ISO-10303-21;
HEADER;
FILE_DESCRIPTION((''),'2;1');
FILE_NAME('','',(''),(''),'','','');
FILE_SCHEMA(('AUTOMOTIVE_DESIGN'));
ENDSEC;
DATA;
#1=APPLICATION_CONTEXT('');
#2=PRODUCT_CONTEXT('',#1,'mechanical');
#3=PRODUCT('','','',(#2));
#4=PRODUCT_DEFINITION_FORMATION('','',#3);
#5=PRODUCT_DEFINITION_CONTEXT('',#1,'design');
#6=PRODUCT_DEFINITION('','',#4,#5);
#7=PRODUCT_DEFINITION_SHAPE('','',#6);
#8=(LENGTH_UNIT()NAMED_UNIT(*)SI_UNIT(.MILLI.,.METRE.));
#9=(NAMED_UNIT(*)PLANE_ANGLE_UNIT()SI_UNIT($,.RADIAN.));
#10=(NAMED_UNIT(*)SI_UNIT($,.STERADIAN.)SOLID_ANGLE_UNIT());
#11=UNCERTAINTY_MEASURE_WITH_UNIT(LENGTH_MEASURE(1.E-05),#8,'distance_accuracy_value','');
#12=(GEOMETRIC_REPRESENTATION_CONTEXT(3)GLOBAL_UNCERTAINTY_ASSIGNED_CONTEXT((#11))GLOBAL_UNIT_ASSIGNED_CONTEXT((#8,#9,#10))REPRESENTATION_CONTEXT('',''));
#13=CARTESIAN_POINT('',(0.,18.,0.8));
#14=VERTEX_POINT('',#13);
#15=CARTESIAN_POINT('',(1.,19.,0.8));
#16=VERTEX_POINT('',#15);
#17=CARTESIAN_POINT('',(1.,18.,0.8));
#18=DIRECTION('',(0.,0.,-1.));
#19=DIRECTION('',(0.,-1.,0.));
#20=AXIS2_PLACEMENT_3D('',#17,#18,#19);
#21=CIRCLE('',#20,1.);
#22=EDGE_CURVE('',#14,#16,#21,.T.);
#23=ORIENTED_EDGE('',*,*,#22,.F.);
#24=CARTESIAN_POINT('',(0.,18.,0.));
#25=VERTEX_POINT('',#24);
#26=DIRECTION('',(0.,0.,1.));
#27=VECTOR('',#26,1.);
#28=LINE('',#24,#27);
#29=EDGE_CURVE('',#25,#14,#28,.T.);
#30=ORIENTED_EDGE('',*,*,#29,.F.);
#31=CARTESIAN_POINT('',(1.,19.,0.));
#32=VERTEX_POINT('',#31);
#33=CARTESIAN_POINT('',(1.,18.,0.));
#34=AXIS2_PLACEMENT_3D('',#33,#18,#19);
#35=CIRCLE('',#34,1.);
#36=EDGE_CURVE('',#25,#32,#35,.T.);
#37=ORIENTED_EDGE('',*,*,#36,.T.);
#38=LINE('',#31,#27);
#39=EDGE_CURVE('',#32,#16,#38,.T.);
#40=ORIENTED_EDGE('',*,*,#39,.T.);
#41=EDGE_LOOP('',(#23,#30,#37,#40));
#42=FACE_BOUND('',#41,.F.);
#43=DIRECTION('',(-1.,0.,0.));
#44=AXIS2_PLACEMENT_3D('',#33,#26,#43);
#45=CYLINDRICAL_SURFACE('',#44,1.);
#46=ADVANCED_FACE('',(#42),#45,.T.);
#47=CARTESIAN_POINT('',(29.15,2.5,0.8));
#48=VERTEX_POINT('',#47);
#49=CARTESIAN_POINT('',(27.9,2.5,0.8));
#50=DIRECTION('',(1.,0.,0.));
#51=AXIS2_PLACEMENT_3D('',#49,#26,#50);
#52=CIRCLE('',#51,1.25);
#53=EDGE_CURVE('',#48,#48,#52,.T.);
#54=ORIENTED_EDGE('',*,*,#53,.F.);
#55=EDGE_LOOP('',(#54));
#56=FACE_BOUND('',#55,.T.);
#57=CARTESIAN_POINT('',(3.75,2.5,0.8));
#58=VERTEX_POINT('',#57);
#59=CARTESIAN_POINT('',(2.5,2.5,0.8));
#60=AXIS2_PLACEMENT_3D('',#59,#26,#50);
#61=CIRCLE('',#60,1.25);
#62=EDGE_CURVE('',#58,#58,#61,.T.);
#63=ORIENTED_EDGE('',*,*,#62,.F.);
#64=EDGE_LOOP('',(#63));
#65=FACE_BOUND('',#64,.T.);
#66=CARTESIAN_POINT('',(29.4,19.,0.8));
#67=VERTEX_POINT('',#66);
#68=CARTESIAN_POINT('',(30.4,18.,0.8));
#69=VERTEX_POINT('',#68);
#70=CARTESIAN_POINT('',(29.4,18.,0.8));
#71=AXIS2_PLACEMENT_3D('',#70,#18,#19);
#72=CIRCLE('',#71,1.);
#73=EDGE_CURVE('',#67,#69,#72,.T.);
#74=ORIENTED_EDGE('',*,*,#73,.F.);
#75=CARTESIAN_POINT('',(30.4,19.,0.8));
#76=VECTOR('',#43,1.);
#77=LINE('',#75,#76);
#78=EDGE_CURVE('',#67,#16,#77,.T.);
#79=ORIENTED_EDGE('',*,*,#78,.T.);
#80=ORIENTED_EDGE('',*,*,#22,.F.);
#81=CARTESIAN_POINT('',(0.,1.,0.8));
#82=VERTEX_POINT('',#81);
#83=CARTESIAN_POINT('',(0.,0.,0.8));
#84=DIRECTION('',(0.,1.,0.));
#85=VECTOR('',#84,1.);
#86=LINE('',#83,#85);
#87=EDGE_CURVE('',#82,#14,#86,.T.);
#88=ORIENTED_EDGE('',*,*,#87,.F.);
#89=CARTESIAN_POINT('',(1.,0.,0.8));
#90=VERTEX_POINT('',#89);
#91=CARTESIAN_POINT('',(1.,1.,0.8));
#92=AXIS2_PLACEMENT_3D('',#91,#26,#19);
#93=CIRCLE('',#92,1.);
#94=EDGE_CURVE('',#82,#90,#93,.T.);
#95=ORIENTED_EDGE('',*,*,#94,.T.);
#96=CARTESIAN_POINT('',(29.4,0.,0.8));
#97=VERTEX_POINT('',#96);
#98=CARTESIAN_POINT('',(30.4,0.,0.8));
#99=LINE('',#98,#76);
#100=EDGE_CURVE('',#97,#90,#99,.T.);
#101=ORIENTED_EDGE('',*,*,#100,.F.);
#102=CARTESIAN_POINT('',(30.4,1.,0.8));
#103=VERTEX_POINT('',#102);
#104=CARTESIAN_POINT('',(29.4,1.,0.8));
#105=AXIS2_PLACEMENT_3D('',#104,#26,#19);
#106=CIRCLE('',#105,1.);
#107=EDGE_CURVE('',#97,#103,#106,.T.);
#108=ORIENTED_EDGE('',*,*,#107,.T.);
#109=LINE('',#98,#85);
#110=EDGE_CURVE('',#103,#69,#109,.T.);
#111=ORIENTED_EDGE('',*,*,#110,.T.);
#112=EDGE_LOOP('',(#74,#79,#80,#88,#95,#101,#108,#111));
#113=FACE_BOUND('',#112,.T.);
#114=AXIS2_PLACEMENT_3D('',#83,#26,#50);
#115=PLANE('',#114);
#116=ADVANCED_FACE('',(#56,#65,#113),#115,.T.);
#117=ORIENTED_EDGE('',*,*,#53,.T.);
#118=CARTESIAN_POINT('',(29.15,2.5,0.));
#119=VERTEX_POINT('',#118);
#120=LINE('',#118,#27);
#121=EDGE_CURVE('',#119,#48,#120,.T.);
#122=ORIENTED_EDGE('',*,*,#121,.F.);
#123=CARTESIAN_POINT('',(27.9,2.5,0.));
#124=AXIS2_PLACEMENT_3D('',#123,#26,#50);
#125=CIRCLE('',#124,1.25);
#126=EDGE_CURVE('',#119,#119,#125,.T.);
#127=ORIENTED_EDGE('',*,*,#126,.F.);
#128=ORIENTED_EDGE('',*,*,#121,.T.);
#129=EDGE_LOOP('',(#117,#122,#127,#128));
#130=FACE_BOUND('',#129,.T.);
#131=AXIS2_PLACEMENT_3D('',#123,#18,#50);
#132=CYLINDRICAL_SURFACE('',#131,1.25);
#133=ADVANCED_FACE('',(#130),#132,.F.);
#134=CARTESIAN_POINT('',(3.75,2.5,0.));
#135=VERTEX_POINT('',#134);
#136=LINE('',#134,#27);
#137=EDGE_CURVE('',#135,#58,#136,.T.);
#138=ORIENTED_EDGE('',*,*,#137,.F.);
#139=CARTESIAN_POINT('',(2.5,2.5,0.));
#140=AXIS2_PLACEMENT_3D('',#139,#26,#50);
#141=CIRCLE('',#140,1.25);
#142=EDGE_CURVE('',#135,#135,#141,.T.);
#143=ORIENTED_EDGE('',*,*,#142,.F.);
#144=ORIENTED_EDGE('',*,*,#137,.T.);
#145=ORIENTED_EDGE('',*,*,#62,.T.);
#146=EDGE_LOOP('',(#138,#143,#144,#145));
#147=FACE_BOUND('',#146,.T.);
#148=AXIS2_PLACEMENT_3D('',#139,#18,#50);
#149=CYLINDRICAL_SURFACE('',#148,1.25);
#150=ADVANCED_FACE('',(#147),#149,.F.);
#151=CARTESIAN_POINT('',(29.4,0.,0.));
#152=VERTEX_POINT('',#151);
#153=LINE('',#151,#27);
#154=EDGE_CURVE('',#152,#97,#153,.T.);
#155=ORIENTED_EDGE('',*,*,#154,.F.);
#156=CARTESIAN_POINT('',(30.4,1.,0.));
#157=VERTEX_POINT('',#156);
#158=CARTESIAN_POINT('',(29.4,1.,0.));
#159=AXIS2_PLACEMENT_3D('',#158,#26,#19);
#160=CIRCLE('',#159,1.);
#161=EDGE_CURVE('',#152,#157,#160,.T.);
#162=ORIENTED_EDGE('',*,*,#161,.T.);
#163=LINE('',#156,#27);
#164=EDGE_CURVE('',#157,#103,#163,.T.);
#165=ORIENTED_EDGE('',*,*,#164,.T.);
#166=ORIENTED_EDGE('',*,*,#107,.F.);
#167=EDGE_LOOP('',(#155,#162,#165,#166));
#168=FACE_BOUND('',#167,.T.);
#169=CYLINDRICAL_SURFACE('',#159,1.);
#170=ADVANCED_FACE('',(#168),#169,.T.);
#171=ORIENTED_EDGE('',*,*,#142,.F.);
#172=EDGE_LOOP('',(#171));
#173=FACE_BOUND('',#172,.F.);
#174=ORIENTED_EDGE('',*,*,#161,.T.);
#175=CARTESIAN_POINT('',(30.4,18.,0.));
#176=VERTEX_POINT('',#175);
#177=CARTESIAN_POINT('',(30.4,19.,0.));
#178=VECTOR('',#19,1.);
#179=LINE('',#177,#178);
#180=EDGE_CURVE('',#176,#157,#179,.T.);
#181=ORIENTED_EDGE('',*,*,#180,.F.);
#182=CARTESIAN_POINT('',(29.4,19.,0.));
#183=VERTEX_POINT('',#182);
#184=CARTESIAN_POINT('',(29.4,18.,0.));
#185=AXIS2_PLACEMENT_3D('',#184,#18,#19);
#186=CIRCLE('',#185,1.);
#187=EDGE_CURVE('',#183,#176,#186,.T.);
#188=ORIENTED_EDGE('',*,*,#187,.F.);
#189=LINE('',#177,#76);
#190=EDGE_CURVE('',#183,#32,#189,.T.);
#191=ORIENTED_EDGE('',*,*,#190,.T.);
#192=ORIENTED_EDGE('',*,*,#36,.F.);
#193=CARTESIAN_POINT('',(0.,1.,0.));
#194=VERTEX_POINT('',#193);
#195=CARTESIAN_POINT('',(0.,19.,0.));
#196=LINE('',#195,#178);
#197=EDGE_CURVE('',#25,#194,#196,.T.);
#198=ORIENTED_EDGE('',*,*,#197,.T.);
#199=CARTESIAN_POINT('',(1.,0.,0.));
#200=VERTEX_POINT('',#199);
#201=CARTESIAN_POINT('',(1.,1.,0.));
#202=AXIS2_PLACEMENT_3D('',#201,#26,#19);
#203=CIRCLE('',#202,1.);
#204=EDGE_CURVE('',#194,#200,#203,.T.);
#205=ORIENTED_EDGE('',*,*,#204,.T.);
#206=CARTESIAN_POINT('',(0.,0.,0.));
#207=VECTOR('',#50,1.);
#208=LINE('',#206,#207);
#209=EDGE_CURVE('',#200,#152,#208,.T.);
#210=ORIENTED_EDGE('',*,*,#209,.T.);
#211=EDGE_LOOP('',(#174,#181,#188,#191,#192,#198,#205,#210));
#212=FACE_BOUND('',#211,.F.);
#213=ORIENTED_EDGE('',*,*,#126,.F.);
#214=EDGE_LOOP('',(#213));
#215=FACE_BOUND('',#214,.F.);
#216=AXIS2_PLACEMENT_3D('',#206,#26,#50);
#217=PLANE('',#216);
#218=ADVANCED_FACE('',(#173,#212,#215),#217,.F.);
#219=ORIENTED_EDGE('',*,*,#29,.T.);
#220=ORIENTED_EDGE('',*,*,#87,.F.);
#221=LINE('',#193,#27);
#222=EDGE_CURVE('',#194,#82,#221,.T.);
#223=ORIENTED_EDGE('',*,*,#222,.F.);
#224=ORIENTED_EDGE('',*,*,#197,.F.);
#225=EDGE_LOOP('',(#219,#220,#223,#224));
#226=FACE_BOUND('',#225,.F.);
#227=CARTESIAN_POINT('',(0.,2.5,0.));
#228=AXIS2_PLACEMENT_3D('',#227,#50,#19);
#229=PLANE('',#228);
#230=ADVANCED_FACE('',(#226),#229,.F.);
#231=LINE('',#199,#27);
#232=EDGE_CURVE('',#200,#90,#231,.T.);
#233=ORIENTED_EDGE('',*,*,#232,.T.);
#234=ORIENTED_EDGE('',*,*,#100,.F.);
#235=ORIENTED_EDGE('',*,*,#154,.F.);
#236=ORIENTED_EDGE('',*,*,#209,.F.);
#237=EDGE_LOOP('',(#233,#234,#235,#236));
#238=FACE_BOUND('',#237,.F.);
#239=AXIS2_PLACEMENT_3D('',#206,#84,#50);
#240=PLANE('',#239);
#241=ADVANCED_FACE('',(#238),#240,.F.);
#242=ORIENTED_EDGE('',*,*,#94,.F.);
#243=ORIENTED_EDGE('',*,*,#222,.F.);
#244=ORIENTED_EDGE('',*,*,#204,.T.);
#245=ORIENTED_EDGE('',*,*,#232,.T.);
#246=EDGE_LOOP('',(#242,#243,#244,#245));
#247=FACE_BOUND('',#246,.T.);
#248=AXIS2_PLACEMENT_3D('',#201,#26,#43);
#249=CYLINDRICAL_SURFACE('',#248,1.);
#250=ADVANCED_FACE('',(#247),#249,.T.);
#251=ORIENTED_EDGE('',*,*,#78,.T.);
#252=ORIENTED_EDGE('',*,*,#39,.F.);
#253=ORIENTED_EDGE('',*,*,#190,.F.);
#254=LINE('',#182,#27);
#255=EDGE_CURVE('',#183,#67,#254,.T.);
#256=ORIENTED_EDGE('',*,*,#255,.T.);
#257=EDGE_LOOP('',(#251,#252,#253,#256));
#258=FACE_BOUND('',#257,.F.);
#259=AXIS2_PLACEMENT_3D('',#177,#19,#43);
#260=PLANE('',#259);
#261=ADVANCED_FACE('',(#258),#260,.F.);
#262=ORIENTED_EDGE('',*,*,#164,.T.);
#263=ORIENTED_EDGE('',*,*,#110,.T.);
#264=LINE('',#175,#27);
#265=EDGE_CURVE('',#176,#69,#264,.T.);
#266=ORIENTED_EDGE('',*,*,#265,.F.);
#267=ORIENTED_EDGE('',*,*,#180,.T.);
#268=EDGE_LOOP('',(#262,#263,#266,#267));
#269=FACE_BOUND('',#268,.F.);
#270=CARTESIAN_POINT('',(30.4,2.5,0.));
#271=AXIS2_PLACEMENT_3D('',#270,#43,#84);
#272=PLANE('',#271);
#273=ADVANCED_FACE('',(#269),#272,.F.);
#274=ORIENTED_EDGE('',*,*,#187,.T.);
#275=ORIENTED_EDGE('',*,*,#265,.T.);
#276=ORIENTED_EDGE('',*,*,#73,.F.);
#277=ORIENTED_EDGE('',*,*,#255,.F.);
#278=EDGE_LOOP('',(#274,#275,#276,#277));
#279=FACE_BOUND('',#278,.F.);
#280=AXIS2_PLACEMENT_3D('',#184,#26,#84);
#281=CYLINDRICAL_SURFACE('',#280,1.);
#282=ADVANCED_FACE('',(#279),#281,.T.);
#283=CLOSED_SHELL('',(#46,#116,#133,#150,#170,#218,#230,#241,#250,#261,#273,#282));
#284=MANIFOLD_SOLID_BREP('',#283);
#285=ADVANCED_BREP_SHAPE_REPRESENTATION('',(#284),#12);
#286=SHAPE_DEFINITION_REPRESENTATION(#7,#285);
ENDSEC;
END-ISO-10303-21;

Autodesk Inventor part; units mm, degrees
ref_plane "YZ Plane" through (0, 0, 0) normal (1, 0, 0) x (0, 1, 0)
ref_plane "XZ Plane" through (0, 0, 0) normal (0, 1, 0) x (-1, 0, 0)
ref_plane "XY Plane" through (0, 0, 0) normal (0, 0, 1) x (1, 0, 0)
sketch "Sketch1" plane through (0, 0, 0) normal (0, 0, 1) x (1, 0, 0)
  line L0 (0, 0) -> (30.4, 0)
  line L1 (30.4, 0) -> (30.4, 19)
  line L2 (30.4, 19) -> (0, 19)
  line L3 (0, 19) -> (0, 0)
  circle A0 centre (2.5, 2.5) radius 2.5
  circle A1 centre (27.9, 2.5) radius 2.5
  circle A2 centre (2.5, 2.5) radius 1.25
  circle A3 centre (27.9, 2.5) radius 1.25
  dimension "d0" = 30.4
  dimension "d1" = 19
  dimension "d2" = 5
  dimension "d3" = 5
  dimension "d6" = 2.5
  dimension "d7" = 2.5
extrude "Extrusion1" add sketch "Sketch1" along normal blind 0.8
fillet "Fillet1" radius 1 4 edges at (30.4, 0, 0.4) (0, 0, 0.4) (0, 19, 0.4) (30.4, 19, 0.4)
equation "\"d3\" = d2"
properties part number "PCB_Main"
